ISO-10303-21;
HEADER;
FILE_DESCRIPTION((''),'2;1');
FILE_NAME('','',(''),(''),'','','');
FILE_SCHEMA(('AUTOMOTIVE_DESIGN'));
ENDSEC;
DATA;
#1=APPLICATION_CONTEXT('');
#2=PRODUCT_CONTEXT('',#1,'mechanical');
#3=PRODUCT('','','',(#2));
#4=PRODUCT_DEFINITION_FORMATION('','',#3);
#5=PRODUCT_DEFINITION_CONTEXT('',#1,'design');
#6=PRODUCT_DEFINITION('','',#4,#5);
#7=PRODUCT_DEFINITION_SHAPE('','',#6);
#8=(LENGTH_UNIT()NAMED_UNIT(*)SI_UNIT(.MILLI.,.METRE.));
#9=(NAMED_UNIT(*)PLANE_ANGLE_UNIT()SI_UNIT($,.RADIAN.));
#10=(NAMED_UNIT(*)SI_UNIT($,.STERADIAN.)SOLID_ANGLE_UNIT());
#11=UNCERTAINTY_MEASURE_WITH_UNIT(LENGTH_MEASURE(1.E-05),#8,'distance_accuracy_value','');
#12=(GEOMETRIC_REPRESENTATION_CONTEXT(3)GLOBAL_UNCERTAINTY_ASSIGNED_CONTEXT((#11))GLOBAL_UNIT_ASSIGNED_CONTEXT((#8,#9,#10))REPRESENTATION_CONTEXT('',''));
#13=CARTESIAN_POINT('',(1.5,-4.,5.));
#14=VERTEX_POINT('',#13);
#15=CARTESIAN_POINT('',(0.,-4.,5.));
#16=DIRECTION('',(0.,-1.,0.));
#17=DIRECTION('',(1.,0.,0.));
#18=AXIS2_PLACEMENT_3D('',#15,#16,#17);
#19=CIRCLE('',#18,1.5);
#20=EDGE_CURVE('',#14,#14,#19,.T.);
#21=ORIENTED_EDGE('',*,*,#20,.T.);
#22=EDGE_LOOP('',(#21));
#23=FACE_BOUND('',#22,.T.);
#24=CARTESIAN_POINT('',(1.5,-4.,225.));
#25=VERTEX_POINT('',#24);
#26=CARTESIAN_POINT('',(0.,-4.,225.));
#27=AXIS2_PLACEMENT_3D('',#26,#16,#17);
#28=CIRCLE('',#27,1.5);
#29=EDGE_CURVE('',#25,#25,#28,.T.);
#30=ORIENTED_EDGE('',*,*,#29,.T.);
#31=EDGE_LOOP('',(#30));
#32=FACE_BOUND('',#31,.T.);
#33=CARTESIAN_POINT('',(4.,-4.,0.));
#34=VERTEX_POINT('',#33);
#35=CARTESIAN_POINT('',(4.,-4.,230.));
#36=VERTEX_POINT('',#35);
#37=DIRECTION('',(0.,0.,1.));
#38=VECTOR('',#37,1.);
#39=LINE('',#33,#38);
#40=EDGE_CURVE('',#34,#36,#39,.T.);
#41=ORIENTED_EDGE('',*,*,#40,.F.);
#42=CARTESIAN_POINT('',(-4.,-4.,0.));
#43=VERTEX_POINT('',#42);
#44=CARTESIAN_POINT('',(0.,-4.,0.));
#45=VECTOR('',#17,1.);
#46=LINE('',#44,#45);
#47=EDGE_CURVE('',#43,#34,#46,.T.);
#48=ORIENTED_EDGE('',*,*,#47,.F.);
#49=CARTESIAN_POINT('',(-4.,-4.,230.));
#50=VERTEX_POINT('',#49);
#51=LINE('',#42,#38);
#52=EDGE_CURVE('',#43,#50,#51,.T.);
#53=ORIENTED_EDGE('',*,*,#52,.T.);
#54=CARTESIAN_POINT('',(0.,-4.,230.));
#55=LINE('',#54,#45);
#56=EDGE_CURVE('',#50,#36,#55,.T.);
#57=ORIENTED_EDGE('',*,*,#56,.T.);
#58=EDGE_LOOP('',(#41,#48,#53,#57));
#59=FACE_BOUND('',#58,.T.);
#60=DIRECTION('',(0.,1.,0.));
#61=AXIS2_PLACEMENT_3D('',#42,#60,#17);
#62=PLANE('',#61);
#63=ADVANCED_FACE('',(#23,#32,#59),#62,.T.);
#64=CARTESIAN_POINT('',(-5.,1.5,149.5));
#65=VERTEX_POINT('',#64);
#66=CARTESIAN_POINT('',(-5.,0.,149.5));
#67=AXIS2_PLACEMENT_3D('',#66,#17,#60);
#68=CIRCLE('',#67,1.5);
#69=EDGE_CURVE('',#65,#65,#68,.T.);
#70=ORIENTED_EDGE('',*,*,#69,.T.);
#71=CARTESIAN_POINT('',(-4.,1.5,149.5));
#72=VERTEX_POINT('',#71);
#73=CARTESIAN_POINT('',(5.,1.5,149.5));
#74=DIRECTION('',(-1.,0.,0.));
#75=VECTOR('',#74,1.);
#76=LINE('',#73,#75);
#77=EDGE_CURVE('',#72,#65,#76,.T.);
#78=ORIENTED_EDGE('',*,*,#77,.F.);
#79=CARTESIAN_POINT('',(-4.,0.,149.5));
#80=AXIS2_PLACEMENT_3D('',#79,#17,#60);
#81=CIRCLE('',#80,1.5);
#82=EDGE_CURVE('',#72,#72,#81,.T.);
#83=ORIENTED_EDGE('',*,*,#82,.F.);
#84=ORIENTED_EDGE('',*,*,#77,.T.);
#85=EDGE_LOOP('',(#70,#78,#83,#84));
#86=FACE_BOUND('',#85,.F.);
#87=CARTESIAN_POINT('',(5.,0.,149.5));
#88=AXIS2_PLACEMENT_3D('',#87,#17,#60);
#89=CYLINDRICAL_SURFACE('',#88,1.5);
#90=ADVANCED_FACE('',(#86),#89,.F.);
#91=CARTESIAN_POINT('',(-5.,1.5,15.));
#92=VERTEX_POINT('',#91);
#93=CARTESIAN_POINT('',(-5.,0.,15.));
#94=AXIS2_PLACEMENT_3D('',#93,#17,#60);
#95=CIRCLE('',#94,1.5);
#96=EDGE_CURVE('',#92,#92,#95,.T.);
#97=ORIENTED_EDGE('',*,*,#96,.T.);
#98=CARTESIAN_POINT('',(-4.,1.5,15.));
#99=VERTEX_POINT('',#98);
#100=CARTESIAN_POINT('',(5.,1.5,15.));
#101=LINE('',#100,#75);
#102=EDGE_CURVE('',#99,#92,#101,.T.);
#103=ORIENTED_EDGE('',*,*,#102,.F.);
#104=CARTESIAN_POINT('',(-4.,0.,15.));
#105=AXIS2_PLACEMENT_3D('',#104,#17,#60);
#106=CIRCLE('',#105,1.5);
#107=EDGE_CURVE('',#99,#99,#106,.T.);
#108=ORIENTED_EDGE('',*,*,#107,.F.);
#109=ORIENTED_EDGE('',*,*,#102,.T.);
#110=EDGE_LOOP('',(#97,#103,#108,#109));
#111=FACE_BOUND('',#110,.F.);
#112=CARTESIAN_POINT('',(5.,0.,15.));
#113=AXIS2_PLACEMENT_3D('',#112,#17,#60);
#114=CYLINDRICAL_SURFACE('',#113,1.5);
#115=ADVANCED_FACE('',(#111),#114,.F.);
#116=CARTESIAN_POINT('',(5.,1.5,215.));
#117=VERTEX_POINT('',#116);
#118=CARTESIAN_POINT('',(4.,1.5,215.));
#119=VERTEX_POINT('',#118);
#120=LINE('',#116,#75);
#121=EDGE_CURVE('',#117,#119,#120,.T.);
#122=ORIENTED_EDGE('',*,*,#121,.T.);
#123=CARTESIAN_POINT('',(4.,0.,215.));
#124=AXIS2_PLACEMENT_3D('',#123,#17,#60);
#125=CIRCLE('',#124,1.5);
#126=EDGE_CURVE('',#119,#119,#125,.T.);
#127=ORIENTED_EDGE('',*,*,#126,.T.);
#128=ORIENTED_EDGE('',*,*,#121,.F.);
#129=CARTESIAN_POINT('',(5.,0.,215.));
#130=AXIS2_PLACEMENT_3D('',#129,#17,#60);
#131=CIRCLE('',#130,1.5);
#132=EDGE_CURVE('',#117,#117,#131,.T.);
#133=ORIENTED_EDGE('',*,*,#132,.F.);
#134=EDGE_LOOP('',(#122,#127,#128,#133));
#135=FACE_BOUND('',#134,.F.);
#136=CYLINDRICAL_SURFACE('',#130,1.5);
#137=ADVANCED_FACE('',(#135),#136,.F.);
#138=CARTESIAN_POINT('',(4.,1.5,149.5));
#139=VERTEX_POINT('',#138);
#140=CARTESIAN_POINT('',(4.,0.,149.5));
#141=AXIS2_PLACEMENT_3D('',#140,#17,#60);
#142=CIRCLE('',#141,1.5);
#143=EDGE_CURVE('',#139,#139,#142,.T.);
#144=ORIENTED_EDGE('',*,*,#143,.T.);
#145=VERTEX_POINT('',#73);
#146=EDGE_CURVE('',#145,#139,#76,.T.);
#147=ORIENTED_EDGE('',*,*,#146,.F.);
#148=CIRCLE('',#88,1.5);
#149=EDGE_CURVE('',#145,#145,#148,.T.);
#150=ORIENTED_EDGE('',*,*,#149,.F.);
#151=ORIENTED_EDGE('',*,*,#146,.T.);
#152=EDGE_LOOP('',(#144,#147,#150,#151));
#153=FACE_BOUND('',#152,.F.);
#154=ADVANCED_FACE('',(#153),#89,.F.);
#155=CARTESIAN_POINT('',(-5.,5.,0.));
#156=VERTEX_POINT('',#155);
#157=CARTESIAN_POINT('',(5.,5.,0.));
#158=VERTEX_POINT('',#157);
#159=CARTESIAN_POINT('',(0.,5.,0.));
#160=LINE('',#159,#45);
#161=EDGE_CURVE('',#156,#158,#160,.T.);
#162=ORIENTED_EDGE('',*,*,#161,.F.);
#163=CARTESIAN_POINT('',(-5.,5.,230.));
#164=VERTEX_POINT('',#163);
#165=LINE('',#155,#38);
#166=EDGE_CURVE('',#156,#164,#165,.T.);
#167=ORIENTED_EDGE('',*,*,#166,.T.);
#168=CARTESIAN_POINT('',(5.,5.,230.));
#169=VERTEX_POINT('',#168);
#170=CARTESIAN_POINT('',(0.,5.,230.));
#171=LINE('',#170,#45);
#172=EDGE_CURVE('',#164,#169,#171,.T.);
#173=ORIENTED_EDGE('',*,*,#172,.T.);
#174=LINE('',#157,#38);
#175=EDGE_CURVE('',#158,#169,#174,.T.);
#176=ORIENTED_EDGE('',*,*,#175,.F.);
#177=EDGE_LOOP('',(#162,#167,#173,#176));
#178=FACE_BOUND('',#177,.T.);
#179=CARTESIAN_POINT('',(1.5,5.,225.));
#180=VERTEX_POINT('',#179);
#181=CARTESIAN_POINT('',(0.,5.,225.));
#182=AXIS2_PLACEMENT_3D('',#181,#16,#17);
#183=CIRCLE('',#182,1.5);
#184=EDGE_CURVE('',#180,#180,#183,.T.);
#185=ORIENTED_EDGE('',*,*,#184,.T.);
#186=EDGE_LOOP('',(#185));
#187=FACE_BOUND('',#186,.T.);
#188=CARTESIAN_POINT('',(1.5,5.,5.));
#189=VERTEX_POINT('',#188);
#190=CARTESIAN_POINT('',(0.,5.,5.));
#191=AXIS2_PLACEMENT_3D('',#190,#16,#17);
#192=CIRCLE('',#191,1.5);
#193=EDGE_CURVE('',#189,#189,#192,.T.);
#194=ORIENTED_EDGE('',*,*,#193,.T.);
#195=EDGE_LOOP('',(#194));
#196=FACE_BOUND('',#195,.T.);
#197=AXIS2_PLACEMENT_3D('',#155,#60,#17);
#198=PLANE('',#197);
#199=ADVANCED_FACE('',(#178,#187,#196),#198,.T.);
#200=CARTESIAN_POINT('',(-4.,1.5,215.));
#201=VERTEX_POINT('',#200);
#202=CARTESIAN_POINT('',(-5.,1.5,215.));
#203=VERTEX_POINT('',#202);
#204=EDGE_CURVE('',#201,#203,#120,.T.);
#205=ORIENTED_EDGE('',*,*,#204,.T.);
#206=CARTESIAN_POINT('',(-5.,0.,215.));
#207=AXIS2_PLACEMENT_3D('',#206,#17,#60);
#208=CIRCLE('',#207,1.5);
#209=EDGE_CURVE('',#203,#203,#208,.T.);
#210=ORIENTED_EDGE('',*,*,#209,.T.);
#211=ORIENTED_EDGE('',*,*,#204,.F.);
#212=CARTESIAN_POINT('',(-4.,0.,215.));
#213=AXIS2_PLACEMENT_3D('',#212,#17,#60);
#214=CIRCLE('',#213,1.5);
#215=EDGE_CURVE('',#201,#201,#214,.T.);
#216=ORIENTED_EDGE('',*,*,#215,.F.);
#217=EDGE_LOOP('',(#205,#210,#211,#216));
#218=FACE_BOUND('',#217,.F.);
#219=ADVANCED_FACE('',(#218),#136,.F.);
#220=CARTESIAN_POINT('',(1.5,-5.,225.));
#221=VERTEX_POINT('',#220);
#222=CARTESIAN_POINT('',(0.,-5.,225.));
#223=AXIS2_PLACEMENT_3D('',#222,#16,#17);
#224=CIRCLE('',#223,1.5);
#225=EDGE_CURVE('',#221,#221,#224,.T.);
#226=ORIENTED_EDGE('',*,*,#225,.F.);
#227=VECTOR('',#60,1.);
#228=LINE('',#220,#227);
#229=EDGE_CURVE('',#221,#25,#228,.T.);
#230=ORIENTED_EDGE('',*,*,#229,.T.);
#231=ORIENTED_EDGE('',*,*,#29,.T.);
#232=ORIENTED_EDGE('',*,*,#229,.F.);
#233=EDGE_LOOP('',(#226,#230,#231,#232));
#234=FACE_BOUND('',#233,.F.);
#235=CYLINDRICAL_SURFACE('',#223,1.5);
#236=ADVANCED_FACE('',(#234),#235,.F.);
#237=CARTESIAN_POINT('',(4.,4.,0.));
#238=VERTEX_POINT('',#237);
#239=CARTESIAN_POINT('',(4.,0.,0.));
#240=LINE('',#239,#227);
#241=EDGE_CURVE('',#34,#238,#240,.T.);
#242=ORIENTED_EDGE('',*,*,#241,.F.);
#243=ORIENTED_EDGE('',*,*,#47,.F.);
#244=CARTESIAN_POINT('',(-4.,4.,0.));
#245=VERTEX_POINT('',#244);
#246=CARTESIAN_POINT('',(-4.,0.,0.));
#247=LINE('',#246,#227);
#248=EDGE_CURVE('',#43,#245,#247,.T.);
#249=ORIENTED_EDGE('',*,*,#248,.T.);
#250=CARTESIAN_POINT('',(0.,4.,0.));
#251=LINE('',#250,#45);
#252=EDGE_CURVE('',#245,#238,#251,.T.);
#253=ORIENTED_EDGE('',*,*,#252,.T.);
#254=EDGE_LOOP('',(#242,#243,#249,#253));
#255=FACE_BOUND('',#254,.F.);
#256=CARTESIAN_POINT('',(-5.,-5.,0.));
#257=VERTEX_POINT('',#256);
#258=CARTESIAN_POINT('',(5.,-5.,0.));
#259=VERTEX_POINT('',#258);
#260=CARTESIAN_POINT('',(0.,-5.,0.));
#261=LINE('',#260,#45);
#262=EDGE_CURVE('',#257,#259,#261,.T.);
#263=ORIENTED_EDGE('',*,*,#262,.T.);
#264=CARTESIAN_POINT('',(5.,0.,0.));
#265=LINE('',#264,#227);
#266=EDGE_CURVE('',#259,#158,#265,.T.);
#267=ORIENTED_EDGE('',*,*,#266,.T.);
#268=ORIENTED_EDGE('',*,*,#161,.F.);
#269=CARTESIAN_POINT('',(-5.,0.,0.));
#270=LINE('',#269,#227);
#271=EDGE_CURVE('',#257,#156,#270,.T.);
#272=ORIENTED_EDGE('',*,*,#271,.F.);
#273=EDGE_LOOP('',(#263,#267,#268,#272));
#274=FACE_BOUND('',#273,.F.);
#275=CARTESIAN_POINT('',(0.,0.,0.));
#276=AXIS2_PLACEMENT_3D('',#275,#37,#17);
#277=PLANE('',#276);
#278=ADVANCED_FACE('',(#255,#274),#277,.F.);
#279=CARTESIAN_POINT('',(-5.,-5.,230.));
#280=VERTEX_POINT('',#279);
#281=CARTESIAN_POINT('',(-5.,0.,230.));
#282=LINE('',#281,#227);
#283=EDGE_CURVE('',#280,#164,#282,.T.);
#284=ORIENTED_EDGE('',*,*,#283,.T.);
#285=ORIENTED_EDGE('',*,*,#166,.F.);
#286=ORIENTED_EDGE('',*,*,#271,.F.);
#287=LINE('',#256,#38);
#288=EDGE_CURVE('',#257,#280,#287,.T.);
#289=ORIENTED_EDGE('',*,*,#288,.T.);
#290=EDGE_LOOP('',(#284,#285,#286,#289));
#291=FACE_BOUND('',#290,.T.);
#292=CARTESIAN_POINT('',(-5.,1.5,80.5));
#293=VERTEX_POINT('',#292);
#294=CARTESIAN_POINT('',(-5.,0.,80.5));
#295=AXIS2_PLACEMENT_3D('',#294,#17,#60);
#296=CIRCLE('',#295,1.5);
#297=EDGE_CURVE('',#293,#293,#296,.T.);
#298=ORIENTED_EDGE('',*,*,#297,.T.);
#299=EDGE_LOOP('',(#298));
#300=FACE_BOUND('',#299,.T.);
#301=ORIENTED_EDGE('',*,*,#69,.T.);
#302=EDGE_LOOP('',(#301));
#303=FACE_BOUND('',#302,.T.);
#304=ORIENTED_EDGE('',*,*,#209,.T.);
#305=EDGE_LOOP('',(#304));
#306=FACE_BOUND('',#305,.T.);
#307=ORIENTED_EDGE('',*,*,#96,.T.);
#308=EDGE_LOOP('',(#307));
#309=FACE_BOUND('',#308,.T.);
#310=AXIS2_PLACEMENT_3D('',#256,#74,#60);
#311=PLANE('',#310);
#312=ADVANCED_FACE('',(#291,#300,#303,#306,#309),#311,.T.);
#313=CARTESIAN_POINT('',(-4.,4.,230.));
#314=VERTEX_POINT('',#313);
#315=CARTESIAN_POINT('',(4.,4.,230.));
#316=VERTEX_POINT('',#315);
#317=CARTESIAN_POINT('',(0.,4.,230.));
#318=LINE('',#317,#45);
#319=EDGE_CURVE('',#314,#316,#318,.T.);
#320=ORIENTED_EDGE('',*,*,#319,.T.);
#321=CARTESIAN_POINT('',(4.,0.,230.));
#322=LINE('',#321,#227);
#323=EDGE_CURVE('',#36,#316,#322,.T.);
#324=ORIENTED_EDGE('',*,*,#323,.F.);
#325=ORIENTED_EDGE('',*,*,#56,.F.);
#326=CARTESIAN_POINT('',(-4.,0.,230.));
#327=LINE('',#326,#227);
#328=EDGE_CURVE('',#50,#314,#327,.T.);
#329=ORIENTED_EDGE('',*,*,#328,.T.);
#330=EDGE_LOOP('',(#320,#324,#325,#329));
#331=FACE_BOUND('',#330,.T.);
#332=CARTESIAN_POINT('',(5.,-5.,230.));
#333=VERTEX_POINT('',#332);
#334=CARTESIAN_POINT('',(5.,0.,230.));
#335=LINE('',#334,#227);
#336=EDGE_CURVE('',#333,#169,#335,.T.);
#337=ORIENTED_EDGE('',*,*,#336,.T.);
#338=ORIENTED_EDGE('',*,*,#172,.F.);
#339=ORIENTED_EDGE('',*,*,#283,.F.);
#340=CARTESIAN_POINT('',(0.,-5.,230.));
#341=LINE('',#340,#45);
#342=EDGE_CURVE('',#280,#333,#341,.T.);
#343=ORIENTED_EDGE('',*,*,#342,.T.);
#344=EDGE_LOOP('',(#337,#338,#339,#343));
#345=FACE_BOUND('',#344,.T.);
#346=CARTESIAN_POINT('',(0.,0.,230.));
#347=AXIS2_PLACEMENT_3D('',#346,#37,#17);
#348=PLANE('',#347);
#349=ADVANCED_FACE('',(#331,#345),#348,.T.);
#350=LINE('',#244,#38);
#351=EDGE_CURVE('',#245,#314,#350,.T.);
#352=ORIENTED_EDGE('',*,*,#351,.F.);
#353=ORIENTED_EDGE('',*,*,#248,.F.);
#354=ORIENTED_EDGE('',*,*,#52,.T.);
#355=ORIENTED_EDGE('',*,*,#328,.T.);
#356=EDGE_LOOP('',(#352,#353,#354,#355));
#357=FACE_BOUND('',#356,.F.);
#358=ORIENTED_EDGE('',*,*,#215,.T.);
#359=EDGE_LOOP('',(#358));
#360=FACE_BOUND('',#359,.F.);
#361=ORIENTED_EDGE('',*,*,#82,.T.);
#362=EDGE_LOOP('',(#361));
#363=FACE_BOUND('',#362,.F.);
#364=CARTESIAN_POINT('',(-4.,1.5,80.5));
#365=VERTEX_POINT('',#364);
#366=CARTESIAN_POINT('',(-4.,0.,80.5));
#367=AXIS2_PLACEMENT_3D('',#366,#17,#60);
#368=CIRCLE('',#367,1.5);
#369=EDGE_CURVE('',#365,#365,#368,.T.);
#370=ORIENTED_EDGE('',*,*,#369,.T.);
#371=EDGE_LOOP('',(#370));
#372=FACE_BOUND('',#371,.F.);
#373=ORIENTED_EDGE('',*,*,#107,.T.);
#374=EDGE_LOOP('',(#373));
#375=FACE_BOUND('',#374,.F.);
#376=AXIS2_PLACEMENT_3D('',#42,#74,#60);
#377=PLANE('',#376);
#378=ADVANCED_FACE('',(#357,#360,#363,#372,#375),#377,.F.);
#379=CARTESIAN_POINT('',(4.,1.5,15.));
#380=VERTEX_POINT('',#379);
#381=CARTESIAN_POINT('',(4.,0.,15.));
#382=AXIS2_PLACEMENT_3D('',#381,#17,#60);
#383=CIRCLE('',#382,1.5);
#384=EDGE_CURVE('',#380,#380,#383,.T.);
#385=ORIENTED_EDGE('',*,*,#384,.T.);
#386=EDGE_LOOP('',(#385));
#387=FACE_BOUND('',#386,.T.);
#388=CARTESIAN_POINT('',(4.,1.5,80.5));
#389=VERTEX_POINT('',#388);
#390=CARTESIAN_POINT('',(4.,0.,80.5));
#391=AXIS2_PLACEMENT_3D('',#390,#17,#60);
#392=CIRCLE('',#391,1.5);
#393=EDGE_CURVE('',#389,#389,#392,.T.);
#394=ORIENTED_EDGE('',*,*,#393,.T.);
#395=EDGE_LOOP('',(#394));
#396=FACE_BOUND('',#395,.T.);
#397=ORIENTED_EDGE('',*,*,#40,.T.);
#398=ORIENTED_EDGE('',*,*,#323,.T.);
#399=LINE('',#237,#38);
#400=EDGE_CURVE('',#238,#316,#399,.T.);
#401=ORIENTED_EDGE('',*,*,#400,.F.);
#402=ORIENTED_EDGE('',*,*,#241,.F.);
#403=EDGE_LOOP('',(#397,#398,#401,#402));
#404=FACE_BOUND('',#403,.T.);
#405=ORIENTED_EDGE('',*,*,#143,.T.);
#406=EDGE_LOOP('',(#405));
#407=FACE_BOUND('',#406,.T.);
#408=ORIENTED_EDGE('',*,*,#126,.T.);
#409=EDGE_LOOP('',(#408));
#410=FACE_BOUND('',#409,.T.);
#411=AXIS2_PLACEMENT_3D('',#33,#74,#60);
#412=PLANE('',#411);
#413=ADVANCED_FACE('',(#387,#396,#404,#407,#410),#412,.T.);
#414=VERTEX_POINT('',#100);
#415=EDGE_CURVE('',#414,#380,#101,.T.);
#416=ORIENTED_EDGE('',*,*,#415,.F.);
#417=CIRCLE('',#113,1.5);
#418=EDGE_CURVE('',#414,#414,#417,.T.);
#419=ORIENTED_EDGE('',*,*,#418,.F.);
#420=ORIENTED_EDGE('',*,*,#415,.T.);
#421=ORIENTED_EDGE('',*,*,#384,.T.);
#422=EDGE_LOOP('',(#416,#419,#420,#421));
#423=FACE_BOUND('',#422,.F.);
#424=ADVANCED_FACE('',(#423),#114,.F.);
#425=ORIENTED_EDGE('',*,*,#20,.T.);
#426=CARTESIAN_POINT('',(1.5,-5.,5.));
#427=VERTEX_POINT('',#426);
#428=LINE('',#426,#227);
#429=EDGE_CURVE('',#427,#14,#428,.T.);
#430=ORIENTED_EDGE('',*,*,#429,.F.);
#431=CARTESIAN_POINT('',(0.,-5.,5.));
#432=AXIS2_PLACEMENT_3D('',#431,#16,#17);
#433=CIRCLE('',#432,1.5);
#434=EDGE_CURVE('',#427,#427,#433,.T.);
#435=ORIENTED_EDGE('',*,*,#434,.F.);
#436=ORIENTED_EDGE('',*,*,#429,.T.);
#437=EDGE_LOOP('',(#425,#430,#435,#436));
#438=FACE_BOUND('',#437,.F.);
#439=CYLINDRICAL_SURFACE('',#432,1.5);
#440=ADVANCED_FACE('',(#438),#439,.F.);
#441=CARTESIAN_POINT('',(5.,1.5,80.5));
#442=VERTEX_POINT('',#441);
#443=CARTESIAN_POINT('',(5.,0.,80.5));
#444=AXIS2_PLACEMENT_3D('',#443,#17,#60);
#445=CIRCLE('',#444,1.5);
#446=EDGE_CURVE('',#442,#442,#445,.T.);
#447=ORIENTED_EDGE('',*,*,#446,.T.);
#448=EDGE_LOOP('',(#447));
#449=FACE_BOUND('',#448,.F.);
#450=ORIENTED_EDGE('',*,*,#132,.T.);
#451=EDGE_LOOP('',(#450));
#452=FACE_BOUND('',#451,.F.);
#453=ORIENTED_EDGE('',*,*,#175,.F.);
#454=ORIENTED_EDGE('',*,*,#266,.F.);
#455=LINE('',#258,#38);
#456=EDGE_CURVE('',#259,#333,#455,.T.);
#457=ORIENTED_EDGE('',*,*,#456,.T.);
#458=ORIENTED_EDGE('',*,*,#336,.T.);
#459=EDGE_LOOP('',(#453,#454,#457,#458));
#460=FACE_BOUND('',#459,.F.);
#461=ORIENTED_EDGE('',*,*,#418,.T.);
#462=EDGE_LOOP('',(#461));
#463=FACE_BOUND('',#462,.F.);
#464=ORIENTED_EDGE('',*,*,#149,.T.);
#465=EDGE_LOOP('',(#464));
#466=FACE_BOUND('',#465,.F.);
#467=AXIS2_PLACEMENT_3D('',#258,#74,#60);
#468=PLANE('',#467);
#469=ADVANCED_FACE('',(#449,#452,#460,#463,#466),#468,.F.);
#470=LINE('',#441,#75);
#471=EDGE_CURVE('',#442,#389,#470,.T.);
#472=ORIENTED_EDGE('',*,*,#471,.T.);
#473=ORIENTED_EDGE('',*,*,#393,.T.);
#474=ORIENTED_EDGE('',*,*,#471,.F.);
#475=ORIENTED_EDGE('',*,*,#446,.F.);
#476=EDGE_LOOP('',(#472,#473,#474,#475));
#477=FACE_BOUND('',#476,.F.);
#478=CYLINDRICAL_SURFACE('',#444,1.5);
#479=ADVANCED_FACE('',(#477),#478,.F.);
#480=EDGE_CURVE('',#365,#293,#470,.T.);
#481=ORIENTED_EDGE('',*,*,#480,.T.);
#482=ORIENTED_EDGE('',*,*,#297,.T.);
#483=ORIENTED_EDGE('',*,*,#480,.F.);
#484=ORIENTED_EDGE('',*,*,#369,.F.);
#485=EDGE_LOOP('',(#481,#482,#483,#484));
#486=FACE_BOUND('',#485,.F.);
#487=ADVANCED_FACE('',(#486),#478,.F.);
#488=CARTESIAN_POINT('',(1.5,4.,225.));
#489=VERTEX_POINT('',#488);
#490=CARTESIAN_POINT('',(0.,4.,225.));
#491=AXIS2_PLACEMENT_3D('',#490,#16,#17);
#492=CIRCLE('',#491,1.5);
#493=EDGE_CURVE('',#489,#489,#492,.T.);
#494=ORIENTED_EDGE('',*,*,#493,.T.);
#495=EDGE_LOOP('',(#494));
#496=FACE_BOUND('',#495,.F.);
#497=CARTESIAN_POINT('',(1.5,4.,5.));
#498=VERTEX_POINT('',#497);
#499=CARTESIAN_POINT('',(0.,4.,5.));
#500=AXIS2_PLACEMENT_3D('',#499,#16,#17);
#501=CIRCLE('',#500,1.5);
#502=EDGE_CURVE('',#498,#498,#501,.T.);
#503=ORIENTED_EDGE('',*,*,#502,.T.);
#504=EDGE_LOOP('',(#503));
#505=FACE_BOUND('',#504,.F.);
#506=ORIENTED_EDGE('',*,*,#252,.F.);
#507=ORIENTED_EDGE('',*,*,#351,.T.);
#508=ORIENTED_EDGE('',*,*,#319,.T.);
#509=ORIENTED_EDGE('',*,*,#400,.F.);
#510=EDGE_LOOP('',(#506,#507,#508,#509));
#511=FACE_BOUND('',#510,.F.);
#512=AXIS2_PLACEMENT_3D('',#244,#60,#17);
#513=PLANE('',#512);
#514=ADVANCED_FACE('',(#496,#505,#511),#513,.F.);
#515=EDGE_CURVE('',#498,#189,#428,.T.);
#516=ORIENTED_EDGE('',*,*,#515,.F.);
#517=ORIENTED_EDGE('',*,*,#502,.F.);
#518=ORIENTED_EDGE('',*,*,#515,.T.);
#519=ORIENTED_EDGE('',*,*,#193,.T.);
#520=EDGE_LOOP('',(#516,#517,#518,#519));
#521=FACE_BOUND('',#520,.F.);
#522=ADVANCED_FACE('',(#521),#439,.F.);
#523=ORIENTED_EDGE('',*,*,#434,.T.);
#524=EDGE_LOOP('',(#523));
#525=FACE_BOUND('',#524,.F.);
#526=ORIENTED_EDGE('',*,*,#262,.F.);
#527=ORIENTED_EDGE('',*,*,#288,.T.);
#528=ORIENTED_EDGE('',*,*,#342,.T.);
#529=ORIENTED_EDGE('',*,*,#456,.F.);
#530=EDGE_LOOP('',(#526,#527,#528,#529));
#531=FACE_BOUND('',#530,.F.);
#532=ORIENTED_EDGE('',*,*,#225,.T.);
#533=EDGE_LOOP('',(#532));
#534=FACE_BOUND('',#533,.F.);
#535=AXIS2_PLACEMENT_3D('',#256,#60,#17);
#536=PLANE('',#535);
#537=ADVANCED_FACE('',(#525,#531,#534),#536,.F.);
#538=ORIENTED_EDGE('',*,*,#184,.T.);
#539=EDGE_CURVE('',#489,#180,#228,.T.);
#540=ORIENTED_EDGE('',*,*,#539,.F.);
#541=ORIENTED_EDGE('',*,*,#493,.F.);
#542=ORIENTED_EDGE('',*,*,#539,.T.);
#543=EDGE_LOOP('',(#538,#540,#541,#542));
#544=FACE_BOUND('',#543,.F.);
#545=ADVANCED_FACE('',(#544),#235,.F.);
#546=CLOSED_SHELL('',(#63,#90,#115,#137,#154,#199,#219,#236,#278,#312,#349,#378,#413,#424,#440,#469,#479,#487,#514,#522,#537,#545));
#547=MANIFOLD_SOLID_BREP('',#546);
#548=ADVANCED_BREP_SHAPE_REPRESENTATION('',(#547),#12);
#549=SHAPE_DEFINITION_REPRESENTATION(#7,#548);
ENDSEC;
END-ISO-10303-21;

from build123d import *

# Parameters (mm, degrees)
F0_W     = 10
F0_H     = 10
F0_W_2   = 8
F0_H_2   = 8
F1_DEPTH = 230
F2_R     = 1.5
F3_DEPTH = 25
F4_R     = 1.5
F5_DEPTH = 25


with BuildPart() as f1:
    # F0 (on Top) → F1 (new body)
    with BuildSketch(Plane.XY):
        Rectangle(F0_W, F0_H)
        Rectangle(F0_W_2, F0_H_2, mode=Mode.SUBTRACT)
    extrude(amount=F1_DEPTH)

    # F2 (on face) → F3 (cut)
    with BuildSketch(Plane.YZ.offset(5)):
        with Locations((0, 80.5)):
            Circle(F2_R)
        with Locations((0, 15)):
            Circle(F2_R)
        with Locations((0, 149.5)):
            Circle(F2_R)
        with Locations((0, 215)):
            Circle(F2_R)
    extrude(amount=-F3_DEPTH, mode=Mode.SUBTRACT)

    # F4 (on face) → F5 (cut)
    with BuildSketch(Plane.XZ.offset(5)):
        with Locations((0, 5)):
            Circle(F4_R)
        with Locations((0, 225)):
            Circle(F4_R)
    extrude(amount=-F5_DEPTH, mode=Mode.SUBTRACT)


solid = f1.part
